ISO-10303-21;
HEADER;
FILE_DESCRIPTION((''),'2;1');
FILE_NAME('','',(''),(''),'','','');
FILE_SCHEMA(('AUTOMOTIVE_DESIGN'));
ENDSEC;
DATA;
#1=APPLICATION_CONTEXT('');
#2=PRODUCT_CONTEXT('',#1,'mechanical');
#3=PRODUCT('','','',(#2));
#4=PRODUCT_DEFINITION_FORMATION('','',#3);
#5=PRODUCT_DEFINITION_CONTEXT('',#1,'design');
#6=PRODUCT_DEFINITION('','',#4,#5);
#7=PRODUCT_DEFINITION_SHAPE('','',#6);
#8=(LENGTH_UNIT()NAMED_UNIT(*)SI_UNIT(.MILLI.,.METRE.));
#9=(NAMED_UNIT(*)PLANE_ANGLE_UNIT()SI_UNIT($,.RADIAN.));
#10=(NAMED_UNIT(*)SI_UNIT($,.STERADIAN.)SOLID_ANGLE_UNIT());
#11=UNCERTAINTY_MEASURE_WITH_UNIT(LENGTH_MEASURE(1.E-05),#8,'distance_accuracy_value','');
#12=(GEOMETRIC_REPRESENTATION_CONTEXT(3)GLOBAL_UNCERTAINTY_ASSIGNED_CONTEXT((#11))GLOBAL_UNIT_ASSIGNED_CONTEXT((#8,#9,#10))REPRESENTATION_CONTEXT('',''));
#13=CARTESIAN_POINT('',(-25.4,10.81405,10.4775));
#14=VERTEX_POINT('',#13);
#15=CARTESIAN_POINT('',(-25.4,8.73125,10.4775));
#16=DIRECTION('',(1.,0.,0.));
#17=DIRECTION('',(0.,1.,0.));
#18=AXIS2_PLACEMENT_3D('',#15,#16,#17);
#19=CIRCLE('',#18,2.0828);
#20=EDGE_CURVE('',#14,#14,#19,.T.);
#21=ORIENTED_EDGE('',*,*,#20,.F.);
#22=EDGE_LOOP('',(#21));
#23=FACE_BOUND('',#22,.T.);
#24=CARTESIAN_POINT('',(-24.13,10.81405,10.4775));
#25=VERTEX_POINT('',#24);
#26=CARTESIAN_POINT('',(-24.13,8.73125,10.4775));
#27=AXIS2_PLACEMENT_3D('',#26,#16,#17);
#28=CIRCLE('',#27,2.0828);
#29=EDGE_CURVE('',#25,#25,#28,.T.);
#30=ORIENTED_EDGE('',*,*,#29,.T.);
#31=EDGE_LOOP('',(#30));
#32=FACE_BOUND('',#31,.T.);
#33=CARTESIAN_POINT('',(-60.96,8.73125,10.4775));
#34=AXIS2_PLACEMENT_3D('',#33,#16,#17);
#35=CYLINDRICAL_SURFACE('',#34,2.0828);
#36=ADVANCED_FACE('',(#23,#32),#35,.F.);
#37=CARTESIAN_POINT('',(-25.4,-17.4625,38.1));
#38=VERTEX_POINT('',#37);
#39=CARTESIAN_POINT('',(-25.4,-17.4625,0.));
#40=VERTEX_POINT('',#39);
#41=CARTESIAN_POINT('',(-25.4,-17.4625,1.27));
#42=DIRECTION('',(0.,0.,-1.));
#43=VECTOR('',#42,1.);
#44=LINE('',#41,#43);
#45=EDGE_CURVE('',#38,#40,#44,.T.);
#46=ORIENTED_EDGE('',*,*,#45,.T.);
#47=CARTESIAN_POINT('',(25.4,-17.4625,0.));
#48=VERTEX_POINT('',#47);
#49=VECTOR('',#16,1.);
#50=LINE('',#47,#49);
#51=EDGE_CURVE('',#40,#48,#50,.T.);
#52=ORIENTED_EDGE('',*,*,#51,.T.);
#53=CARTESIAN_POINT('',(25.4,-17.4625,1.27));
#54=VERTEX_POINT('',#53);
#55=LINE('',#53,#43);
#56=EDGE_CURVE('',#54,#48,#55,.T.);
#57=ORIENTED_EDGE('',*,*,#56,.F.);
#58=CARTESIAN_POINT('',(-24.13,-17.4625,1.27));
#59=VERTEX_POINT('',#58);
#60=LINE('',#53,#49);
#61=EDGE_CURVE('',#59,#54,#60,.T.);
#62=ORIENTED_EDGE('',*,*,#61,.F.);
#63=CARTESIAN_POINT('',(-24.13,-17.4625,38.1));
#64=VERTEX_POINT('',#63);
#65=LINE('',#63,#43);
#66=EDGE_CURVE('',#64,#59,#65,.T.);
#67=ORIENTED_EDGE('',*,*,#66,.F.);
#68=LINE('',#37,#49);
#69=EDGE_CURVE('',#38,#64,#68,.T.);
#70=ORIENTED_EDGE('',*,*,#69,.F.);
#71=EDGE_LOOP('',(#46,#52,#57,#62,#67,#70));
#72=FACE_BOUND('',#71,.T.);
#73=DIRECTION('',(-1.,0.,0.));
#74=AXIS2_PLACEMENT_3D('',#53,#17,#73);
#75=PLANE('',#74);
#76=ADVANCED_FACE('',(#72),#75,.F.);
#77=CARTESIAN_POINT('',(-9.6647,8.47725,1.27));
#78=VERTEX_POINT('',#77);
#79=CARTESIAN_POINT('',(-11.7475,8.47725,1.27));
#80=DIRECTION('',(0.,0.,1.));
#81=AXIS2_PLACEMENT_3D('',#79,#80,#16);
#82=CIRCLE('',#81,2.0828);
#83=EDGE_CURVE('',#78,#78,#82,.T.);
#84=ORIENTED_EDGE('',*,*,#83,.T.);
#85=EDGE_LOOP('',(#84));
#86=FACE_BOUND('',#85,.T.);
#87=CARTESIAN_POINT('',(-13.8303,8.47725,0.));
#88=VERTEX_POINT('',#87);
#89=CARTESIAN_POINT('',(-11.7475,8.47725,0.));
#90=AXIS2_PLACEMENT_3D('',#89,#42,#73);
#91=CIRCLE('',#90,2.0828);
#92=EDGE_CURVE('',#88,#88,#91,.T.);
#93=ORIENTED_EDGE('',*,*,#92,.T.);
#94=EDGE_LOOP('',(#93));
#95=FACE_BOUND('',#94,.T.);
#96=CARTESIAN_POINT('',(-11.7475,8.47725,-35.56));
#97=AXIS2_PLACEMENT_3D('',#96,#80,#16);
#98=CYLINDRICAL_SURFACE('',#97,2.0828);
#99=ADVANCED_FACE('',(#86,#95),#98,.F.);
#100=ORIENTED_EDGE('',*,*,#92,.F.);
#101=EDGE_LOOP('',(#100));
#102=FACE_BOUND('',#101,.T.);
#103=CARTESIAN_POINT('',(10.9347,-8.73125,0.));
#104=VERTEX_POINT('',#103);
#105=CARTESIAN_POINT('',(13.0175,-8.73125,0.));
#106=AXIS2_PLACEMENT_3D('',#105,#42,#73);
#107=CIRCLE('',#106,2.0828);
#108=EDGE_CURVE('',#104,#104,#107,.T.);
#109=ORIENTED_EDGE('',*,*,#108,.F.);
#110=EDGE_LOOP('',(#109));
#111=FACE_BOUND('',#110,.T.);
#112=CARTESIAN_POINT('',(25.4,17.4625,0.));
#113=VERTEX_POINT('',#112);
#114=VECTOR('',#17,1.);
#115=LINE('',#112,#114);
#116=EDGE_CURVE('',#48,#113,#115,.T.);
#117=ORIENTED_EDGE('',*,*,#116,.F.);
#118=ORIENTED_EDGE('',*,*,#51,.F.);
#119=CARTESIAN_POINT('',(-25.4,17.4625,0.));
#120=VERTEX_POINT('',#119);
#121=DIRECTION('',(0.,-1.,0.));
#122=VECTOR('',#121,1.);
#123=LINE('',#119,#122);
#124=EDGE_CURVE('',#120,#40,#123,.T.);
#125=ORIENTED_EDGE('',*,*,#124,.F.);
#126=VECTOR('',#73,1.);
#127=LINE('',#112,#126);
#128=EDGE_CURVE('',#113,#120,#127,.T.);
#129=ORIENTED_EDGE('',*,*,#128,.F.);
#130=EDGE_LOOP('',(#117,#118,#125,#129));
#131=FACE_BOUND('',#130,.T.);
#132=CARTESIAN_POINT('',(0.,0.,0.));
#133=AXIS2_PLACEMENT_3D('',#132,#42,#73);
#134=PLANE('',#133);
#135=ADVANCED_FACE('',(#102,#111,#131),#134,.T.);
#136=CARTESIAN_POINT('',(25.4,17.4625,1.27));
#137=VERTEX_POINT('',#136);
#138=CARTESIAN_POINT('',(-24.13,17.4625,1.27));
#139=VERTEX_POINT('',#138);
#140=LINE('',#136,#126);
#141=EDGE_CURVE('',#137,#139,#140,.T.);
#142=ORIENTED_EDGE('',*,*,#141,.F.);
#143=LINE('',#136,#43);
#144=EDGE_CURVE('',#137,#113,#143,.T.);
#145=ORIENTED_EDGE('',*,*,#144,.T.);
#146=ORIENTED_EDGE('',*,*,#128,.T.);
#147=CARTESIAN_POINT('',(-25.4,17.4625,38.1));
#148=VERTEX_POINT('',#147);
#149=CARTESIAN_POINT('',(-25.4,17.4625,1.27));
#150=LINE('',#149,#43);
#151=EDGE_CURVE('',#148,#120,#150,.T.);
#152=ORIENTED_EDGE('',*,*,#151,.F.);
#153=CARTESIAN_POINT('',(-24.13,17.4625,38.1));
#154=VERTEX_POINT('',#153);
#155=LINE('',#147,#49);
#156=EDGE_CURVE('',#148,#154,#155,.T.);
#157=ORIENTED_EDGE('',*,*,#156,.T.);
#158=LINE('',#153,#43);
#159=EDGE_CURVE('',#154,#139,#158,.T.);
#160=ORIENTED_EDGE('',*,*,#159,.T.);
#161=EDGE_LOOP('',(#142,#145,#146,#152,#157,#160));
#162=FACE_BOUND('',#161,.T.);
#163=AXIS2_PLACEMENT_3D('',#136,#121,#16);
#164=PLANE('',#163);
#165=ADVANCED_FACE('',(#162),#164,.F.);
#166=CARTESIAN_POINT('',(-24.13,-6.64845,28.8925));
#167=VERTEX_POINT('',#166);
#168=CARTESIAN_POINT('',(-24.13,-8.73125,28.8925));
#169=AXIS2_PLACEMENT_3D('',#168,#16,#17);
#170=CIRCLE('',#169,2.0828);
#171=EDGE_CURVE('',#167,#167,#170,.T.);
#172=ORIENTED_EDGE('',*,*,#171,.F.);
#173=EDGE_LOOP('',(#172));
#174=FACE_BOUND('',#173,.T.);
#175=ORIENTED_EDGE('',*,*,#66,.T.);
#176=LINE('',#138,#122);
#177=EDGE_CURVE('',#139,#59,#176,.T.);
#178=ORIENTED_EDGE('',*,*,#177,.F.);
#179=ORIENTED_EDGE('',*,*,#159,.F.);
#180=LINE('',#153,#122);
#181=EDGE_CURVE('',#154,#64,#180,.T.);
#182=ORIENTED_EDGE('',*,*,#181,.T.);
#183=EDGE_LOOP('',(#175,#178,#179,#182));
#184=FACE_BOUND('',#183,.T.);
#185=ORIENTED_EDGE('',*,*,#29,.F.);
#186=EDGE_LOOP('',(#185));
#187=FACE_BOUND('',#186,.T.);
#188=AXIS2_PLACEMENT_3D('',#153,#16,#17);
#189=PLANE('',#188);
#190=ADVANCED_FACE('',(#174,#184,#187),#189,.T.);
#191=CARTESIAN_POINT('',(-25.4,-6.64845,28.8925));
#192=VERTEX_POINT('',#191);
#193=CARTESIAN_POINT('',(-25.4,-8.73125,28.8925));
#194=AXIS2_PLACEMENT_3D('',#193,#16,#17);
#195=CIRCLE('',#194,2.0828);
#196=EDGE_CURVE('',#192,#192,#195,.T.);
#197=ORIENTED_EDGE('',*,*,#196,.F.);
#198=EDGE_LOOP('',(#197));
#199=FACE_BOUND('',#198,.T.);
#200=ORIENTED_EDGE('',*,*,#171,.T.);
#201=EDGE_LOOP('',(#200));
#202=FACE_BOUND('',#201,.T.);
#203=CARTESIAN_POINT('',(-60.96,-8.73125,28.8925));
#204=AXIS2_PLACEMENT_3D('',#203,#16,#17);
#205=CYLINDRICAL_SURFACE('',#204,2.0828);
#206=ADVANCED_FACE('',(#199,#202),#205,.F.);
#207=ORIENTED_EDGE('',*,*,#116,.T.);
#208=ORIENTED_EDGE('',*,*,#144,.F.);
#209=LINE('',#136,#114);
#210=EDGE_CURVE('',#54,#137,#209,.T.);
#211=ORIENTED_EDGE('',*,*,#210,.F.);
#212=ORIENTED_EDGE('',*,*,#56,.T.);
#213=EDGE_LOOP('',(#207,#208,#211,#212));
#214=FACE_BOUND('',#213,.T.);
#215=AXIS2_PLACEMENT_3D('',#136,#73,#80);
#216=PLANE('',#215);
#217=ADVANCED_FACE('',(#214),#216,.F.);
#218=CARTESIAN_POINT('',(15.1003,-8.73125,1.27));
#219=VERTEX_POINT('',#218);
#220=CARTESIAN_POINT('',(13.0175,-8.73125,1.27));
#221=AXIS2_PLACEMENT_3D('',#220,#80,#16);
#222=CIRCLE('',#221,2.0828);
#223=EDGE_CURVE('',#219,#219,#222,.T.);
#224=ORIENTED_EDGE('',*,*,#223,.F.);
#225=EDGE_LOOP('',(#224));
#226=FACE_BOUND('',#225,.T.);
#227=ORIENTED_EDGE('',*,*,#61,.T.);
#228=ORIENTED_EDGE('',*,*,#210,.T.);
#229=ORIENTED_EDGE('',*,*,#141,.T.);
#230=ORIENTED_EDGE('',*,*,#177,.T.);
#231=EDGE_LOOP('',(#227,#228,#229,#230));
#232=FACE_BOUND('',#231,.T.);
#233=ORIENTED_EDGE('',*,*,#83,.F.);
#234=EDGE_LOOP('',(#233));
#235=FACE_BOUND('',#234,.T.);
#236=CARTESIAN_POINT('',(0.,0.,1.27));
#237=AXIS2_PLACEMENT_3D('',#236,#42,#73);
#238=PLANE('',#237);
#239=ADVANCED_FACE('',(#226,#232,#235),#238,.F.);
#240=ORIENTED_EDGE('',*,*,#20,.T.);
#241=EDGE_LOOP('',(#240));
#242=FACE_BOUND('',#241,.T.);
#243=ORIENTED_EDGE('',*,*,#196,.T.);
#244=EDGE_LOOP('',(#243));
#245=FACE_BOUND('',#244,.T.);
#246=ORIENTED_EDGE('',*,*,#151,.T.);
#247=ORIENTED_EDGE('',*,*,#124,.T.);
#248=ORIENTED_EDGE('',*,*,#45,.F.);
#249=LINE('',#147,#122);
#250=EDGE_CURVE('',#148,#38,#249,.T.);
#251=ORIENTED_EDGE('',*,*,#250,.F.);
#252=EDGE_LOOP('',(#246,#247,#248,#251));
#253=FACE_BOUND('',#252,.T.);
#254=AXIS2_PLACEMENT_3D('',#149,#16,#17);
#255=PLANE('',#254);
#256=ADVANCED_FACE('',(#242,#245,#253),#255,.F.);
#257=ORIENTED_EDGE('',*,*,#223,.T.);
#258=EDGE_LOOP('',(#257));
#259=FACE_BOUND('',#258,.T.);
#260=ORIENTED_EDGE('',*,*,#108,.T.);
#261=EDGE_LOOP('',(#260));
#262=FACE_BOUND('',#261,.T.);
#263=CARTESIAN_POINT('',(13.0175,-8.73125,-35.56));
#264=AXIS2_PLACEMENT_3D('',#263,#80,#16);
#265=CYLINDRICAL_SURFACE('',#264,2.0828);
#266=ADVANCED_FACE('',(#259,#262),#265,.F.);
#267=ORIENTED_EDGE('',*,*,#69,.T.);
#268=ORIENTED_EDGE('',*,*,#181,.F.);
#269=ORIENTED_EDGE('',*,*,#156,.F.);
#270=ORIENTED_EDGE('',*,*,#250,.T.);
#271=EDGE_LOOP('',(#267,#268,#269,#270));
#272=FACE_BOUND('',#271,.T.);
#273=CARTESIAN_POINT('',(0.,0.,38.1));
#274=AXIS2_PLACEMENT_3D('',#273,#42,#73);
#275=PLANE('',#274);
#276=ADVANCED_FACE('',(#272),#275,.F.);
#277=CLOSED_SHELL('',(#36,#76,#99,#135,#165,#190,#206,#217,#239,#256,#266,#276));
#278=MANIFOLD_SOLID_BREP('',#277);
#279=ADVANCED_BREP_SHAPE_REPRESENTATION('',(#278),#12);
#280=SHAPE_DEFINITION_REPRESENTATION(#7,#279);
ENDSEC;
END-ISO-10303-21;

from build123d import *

# Parameters (mm, degrees)
SKETCH1_W           = 50.8
SKETCH1_H           = 34.925
BOSS_EXTRUDE1_DEPTH = 1.27
SKETCH2_W           = 1.27
SKETCH2_H           = 34.925
BOSS_EXTRUDE2_DEPTH = 36.83
SKETCH3_R           = 2.0828
CUT_EXTRUDE1_DEPTH  = 36.83
SKETCH4_R           = 2.0828
CUT_EXTRUDE2_DEPTH  = 36.83


with BuildPart() as part:
    # Sketch1 → Boss-Extrude1 (new body)
    with BuildSketch(Plane.XY):
        Rectangle(SKETCH1_W, SKETCH1_H)
    extrude(amount=BOSS_EXTRUDE1_DEPTH)

    # Sketch2 → Boss-Extrude2 (add)
    with BuildSketch(Plane.XY.offset(1.27)):
        with Locations((-24.765, 0)):
            Rectangle(SKETCH2_W, SKETCH2_H)
    extrude(amount=BOSS_EXTRUDE2_DEPTH)

    # Sketch3 → Cut-Extrude1 (cut)
    with BuildSketch(Plane(origin=(-24.13, 0, 0), x_dir=(0, 0, -1), z_dir=(1, 0, 0))):
        with Locations((-10.4775, 8.73125)):
            Circle(SKETCH3_R)
        with Locations((-28.8925, -8.73125)):
            Circle(SKETCH3_R)
    extrude(amount=-CUT_EXTRUDE1_DEPTH, mode=Mode.SUBTRACT)

    # Sketch4 → Cut-Extrude2 (cut)
    with BuildSketch(Plane.XY.offset(1.27)):
        with Locations((-11.7475, 8.47725)):
            Circle(SKETCH4_R)
        with Locations((13.0175, -8.73125)):
            Circle(SKETCH4_R)
    extrude(amount=-CUT_EXTRUDE2_DEPTH, mode=Mode.SUBTRACT)


solid = part.part
